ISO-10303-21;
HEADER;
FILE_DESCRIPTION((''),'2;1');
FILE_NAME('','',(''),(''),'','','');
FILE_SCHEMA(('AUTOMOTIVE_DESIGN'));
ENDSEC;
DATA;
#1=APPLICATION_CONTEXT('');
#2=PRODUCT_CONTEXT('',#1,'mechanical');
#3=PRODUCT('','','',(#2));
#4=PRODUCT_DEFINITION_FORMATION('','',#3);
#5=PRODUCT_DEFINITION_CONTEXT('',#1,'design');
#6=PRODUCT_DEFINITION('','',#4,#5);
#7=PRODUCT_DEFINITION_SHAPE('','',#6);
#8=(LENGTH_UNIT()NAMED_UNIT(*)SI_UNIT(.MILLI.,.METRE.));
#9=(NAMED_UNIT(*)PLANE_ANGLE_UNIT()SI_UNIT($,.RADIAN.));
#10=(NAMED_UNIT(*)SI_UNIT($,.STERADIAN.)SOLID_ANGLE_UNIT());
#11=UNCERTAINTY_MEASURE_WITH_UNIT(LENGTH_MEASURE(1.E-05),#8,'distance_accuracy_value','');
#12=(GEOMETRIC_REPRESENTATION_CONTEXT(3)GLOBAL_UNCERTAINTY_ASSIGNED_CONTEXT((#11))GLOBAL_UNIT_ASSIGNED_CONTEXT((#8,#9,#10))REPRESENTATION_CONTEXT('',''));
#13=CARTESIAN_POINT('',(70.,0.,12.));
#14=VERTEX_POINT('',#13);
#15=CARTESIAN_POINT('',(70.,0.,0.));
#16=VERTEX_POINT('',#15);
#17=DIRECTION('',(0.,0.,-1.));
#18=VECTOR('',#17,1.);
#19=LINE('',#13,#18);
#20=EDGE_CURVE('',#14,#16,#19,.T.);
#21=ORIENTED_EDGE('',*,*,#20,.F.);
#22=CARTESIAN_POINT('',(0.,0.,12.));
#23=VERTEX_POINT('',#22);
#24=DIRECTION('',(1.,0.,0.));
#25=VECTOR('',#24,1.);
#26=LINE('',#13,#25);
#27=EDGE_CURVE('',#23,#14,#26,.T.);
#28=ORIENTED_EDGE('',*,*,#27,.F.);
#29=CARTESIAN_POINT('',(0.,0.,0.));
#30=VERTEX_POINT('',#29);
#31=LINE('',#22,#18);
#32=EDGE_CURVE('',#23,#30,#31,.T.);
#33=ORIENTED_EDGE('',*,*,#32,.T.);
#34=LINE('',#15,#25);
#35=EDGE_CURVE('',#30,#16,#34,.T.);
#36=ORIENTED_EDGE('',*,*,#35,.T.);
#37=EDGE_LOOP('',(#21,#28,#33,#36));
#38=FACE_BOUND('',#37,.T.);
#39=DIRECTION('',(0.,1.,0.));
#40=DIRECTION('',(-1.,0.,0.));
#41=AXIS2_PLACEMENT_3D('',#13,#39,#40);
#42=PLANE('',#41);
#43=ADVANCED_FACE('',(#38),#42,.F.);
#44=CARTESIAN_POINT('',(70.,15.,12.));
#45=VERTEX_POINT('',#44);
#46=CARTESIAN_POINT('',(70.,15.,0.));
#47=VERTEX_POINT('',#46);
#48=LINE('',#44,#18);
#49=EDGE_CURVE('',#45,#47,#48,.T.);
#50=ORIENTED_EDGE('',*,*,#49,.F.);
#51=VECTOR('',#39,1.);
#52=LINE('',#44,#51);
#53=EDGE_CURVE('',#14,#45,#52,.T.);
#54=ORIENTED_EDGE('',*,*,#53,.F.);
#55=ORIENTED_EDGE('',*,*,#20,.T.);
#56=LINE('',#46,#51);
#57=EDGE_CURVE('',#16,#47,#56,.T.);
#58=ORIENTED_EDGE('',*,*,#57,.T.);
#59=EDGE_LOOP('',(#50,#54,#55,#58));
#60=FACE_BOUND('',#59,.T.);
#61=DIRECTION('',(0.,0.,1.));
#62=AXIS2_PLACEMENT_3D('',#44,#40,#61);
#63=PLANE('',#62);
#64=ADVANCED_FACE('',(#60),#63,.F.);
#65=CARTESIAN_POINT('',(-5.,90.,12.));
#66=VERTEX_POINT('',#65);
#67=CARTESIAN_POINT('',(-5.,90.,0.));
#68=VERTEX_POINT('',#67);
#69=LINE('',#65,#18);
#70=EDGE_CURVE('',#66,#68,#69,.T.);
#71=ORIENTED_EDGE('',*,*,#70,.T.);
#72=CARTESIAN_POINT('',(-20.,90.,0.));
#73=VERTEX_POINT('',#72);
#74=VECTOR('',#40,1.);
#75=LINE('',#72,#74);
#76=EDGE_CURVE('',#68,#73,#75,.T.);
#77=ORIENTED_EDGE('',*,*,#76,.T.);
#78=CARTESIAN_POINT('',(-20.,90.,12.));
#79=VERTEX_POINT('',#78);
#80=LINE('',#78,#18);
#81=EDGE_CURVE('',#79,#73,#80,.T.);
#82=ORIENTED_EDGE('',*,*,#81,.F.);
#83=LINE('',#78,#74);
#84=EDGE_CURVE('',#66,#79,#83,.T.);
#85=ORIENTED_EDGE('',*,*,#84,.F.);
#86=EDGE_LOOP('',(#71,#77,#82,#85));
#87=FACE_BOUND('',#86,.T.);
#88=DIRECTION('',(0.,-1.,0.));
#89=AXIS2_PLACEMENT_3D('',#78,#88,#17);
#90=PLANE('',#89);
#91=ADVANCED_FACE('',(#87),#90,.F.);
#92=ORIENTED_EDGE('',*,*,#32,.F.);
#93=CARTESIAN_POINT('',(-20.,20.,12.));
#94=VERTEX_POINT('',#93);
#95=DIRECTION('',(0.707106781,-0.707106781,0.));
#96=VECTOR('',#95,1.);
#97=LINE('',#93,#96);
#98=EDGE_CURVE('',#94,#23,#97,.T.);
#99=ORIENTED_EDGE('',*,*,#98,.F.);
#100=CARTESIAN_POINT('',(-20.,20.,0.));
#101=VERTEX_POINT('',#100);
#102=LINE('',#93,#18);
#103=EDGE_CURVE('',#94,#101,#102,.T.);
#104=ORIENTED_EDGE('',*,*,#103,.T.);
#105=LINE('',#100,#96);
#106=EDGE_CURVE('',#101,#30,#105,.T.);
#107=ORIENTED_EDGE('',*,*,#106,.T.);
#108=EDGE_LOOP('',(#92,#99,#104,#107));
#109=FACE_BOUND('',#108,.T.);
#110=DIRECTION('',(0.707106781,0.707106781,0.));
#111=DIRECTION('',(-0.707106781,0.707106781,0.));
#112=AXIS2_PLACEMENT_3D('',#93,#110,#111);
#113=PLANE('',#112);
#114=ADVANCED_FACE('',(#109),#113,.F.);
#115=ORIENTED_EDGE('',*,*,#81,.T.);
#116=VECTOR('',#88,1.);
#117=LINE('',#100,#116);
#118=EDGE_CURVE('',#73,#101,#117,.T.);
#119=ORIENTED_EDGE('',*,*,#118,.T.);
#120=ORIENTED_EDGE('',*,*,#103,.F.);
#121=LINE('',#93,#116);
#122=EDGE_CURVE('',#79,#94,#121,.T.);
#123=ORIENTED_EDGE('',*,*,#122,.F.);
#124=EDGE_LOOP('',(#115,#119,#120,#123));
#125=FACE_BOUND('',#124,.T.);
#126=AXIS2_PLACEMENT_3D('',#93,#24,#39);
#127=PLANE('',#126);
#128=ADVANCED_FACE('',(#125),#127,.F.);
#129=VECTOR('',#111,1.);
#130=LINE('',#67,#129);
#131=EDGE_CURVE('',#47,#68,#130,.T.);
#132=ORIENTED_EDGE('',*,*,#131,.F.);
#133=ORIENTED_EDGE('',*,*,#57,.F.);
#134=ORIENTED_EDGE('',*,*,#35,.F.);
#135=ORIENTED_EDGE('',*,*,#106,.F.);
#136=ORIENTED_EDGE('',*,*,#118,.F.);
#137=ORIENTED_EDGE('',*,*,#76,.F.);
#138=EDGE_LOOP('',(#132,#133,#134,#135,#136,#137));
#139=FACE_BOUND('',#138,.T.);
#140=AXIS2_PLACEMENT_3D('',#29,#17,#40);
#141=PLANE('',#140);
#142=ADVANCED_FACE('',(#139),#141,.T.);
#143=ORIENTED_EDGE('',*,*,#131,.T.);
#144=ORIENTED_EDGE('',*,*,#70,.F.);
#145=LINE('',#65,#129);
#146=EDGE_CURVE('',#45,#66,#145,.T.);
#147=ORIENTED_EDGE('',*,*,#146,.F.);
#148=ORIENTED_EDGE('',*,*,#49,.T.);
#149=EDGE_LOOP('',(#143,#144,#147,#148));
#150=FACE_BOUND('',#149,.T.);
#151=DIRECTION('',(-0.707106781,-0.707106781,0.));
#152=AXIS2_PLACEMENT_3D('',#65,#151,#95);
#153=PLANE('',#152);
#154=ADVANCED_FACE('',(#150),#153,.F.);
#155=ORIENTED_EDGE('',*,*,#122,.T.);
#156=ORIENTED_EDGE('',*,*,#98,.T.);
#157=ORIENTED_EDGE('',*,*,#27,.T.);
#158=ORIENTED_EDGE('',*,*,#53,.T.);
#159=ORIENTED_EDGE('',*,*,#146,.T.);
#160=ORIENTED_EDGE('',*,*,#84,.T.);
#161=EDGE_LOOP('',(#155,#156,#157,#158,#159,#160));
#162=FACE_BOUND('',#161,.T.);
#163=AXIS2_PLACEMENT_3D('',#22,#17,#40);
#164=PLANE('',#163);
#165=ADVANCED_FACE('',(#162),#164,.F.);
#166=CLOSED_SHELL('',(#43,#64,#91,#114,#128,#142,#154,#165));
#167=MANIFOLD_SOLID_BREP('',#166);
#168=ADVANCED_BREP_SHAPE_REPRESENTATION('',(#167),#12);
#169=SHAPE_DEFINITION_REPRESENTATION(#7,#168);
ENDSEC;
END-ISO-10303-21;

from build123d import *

# Parameters (mm, degrees)
BOSS_EXTRUDE1_DEPTH = 12


with BuildPart() as part:
    # Sketch1 → Boss-Extrude1 (new body)
    with BuildSketch(Plane.XY):
        Polygon((-20, 20), (-20, 90), (-5, 90), (70, 15), (70, 0), (0, 0), align=None)
    extrude(amount=BOSS_EXTRUDE1_DEPTH)


solid = part.part
